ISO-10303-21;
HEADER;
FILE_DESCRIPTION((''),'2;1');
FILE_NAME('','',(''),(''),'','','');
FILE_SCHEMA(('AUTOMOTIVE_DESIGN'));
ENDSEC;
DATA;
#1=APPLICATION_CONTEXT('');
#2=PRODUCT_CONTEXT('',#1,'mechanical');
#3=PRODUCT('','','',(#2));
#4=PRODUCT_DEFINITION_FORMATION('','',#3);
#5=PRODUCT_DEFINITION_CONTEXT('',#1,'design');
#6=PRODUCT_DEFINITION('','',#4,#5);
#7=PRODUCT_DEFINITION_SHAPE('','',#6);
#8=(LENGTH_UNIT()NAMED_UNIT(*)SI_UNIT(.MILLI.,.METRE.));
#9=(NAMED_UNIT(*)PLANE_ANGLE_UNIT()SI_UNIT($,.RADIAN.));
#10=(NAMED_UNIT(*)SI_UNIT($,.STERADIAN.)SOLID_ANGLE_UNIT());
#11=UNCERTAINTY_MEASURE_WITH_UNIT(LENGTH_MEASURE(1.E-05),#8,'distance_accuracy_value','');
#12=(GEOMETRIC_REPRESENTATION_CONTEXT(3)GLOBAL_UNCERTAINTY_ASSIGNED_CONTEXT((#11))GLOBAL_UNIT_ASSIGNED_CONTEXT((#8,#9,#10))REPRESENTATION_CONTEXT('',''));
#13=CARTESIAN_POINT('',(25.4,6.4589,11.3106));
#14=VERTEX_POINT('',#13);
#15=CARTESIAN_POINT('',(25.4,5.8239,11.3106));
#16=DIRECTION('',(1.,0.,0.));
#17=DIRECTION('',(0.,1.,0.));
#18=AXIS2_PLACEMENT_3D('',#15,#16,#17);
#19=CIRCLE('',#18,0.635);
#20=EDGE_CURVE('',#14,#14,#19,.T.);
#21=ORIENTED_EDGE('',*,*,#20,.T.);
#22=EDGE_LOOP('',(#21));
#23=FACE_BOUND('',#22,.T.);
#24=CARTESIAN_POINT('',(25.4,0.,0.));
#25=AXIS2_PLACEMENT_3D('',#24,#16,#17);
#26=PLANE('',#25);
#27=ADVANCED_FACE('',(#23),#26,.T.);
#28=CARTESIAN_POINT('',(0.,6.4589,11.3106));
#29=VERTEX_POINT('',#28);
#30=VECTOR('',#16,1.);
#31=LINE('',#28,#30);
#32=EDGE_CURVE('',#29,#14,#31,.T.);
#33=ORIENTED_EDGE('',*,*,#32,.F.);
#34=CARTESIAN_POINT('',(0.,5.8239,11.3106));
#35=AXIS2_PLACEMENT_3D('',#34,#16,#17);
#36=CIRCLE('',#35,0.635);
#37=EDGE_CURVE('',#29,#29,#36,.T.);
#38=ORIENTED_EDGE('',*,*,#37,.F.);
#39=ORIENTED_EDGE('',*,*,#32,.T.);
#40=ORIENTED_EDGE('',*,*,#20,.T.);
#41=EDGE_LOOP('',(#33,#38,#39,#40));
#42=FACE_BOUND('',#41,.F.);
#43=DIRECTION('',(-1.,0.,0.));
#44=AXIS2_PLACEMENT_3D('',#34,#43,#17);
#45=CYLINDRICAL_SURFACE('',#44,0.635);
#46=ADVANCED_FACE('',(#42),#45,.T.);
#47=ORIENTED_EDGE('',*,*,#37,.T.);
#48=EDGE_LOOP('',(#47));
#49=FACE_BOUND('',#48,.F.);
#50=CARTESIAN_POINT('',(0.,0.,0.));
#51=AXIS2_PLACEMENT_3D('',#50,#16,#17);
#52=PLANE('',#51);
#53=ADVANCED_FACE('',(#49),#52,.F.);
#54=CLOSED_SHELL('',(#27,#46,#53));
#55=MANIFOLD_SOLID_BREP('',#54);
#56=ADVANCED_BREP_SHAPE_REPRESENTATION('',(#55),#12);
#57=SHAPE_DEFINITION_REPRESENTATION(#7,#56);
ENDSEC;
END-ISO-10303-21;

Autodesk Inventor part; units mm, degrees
ref_plane "YZ Plane" through (0, 0, 0) normal (1, 0, 0) x (0, 1, 0)
ref_plane "XZ Plane" through (0, 0, 0) normal (0, 1, 0) x (-1, 0, 0)
ref_plane "XY Plane" through (0, 0, 0) normal (0, 0, 1) x (1, 0, 0)
sketch "Sketch1" plane through (0, 0, 0) normal (1, 0, 0) x (0, 1, 0)
  circle A0 centre (5.8239, 11.3106) radius 0.635
  point P0 (0, 0)
  dimension "d0" = 1.27
  dimension "d0" = 1.27
extrude "Extrusion1" add sketch "Sketch1" along normal blind 25.4
properties part number "PowerWire"
